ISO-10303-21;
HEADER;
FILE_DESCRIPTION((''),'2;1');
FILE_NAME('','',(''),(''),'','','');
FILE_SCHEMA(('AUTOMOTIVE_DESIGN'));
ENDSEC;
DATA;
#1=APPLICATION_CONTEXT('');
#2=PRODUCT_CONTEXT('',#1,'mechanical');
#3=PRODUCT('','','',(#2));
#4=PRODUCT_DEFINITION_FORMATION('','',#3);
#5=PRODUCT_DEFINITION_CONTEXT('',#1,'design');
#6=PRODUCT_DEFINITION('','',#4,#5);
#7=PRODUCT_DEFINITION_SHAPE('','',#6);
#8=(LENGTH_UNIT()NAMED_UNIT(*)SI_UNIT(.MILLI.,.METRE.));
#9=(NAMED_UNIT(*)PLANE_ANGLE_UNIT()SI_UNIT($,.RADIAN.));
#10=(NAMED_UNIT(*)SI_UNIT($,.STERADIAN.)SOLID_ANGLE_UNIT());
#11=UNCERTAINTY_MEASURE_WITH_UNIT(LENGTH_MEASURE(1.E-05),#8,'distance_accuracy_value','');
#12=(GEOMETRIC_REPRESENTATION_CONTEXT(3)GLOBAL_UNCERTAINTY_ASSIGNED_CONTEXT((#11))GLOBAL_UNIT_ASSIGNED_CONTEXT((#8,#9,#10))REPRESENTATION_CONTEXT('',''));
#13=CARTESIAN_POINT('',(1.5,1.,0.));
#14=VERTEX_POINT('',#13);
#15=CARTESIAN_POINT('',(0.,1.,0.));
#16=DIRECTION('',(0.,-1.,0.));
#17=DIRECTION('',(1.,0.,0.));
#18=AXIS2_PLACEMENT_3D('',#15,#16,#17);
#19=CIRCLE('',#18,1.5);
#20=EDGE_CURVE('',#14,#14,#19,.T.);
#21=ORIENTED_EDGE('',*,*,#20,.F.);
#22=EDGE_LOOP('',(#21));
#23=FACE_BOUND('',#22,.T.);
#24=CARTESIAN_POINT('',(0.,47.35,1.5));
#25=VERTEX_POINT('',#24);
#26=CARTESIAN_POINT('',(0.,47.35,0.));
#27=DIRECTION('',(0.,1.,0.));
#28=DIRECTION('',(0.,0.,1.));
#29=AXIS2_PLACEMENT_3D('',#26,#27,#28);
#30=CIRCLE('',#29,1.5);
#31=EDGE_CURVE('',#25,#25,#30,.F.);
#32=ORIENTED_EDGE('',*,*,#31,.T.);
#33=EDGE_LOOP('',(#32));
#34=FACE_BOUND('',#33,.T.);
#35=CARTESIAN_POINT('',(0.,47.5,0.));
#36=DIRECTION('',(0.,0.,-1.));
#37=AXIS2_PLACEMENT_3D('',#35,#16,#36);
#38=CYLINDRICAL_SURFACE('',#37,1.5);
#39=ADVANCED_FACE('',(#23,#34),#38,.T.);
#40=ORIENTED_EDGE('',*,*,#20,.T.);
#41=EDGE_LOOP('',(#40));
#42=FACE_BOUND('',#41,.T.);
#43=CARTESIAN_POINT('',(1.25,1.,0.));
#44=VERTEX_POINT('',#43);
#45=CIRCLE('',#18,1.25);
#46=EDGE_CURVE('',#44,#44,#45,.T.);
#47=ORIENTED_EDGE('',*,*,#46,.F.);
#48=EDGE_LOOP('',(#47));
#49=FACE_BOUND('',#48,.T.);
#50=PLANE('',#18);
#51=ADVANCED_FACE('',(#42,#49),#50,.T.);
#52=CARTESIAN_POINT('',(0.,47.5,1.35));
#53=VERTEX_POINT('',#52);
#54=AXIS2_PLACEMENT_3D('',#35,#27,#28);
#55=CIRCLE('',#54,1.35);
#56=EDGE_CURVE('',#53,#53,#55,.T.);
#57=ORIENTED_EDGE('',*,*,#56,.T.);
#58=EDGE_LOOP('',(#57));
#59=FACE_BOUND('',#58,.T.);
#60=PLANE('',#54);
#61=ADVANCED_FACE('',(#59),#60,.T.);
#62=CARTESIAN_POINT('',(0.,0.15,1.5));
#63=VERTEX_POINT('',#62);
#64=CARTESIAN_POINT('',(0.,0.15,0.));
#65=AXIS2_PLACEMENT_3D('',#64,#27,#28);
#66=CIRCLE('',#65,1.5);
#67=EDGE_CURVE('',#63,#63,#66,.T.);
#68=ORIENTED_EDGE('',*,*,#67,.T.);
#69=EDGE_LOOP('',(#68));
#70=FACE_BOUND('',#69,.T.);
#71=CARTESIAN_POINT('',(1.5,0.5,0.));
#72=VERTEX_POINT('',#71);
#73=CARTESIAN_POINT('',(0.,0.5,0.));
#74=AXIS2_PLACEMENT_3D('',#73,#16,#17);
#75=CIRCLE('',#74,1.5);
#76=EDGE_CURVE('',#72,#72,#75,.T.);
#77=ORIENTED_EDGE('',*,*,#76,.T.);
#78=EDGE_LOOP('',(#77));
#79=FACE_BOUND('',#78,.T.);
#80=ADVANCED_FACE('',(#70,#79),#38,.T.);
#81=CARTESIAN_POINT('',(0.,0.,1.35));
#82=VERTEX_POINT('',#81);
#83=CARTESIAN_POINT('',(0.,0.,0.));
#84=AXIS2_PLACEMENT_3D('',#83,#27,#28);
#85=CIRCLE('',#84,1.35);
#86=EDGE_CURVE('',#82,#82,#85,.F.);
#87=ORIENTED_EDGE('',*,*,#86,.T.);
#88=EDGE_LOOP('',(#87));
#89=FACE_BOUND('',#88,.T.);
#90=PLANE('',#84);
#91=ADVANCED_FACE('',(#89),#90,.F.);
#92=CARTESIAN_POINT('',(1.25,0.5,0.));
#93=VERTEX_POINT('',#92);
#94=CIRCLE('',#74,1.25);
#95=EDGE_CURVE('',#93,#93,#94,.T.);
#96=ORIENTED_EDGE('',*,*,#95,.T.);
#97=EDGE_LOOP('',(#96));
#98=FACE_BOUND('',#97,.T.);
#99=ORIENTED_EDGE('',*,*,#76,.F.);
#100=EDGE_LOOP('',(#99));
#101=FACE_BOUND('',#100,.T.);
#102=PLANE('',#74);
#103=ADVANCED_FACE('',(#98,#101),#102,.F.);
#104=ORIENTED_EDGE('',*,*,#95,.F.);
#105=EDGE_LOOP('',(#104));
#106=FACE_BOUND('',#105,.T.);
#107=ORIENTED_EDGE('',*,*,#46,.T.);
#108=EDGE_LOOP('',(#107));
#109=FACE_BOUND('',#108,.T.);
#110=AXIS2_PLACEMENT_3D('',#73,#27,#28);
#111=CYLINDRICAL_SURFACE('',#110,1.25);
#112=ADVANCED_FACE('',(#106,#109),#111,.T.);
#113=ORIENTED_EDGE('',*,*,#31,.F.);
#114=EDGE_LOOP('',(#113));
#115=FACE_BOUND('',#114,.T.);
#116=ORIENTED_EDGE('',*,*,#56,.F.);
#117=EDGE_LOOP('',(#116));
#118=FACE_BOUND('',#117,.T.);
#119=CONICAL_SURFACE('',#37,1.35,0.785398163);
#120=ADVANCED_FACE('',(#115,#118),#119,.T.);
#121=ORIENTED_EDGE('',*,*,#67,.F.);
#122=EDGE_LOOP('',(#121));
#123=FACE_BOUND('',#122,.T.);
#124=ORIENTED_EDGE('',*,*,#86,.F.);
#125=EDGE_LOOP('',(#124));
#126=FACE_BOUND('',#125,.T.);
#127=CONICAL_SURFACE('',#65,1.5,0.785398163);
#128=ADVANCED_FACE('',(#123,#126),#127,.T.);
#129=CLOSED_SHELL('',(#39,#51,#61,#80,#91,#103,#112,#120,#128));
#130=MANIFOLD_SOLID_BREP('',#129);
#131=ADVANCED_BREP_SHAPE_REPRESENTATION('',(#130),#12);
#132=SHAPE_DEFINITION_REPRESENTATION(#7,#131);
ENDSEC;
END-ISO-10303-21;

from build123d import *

# Parameters (mm, degrees)
SKETCH1_R           = 1.5
BOSS_EXTRUDE1_DEPTH = 47.5
CHAMFER1_SIZE       = 0.15
CUT_EXTRUDE1_START  = -1
SKETCH2_R           = 1.5
SKETCH2_R_2         = 1.25
CUT_EXTRUDE1_DEPTH  = 0.5


with BuildPart() as part:
    # Sketch1 → Boss-Extrude1 (new body)
    with BuildSketch(Plane(origin=(0, 0, 0), x_dir=(1, 0, 0), z_dir=(0, 1, 0))):
        with Locations(Location((0, 0, 0), (0, 0, 270))):
            Circle(SKETCH1_R)
    extrude(amount=BOSS_EXTRUDE1_DEPTH)

    # Chamfer1
    chamfer1_edges = [part.edges().sort_by_distance(p)[0] for p in [
        (0, 0, -1.5),
        (0, 47.5, -1.5),
    ]]
    chamfer(chamfer1_edges, length=CHAMFER1_SIZE)

    # Sketch2 → Cut-Extrude1 (cut)
    with BuildSketch(Plane.XZ.offset(CUT_EXTRUDE1_START)):
        Circle(SKETCH2_R)
        Circle(SKETCH2_R_2, mode=Mode.SUBTRACT)
    extrude(amount=CUT_EXTRUDE1_DEPTH, mode=Mode.SUBTRACT)


solid = part.part
